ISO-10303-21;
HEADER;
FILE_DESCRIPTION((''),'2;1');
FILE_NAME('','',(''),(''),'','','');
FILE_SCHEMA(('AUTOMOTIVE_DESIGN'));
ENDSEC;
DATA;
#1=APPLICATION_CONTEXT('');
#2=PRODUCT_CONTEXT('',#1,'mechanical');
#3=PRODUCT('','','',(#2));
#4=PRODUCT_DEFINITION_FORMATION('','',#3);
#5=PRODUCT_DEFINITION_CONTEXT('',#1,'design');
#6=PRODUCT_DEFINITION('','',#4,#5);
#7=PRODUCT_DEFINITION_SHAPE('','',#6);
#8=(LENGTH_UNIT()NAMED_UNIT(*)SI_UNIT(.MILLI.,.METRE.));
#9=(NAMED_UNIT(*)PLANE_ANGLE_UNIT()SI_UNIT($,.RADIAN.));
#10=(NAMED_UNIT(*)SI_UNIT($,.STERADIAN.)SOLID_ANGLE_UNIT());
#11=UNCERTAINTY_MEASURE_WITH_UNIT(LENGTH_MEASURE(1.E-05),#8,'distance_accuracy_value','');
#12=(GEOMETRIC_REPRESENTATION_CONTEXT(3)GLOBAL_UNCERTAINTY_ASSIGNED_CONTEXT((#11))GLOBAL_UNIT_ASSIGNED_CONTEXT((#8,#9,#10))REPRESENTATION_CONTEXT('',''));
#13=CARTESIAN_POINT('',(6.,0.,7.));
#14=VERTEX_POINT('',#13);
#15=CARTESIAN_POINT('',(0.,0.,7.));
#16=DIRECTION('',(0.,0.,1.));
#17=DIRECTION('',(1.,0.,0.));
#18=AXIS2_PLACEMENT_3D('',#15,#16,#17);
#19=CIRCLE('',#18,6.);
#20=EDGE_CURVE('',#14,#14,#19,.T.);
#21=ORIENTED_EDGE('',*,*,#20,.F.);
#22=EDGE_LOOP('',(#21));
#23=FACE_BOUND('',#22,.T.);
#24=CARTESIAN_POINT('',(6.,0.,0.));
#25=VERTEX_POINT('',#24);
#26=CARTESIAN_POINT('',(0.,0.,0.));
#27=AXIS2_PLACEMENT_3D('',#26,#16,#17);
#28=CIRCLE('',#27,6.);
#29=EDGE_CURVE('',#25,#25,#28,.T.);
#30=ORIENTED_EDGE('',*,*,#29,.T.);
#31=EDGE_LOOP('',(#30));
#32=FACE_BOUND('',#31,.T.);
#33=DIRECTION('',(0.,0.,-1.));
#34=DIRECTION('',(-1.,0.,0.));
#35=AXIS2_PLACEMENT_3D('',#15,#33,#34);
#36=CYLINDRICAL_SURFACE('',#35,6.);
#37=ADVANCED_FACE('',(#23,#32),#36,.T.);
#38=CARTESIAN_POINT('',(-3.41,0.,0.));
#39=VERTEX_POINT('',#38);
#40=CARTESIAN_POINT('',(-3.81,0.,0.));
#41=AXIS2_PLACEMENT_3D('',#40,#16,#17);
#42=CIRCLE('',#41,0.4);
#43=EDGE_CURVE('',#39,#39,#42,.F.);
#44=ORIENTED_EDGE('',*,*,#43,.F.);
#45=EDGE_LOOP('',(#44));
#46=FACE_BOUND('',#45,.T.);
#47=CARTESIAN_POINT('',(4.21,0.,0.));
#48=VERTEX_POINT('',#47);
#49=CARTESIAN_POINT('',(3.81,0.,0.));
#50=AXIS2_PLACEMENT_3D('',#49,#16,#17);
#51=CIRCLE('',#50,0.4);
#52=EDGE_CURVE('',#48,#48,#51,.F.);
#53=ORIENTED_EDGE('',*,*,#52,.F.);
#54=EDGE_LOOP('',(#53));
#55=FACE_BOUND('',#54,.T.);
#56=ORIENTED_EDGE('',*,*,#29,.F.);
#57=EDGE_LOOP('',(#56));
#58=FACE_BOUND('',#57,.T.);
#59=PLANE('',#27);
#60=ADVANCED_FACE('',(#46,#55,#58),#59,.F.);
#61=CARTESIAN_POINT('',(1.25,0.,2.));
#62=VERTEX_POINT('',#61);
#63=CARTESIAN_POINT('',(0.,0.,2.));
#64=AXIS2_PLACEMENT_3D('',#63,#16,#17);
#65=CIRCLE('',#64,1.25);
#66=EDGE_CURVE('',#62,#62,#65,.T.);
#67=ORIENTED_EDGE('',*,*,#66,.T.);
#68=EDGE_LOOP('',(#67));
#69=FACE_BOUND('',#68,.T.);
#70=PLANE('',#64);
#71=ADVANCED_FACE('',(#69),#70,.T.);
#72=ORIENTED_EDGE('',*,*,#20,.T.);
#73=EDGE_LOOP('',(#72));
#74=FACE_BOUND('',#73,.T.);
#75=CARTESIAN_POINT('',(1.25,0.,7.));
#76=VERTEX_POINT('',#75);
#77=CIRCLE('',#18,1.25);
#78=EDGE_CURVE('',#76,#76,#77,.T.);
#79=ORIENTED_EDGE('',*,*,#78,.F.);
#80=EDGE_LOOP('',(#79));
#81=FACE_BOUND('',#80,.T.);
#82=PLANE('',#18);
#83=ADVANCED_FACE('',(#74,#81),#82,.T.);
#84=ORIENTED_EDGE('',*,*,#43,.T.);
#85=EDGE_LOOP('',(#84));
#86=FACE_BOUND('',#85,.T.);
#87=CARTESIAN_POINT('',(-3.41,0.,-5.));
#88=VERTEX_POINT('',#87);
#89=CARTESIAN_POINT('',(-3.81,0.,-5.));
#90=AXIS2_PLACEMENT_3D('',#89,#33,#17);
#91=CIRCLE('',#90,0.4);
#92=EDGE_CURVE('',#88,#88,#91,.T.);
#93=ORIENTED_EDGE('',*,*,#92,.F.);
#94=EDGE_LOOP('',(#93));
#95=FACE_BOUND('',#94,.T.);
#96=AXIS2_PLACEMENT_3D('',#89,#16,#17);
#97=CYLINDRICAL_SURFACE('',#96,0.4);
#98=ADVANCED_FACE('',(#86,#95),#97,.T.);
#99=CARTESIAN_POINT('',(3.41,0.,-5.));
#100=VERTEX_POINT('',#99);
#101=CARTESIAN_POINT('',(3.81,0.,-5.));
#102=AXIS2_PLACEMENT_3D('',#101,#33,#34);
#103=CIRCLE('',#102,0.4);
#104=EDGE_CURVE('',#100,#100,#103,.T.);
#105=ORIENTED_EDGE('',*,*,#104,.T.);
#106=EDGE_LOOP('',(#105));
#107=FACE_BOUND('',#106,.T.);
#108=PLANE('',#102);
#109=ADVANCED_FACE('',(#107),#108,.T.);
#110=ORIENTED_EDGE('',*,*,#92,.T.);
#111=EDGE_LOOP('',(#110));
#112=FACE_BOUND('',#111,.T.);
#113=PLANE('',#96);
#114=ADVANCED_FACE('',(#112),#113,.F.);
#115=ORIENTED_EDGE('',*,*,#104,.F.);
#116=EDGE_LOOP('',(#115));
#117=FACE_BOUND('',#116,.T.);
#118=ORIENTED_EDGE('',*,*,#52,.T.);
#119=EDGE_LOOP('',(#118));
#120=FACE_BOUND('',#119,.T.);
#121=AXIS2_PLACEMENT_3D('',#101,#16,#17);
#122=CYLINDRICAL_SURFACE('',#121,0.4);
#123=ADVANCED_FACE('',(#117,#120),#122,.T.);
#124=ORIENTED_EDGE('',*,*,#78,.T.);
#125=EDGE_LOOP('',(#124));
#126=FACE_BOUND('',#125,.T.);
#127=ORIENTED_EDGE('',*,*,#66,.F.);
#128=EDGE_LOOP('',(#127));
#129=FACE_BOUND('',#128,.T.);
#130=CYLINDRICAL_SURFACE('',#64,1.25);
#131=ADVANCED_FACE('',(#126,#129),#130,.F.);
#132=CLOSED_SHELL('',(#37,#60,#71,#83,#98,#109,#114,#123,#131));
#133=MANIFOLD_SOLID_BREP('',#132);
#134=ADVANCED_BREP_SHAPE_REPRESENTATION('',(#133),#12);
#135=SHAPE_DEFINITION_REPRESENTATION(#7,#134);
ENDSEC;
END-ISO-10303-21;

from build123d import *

# Parameters (mm, degrees)
SKETCH_1_R          = 6
EXTRUDE_1_DEPTH     = 7
SKETCH_2_R          = 0.4
EXTRUDE_2_DEPTH     = 5
SKETCH_3_R          = 1.25
CUT_EXTRUDE_1_DEPTH = 5


with BuildPart() as part:
    # 草图1 → 拉伸1 (new body)
    with BuildSketch(Plane.XY):
        Circle(SKETCH_1_R)
    extrude(amount=EXTRUDE_1_DEPTH)

    # 草图2 → 拉伸2 (add)
    with BuildSketch(Plane(origin=(0, 0, 0), x_dir=(-1, 0, 0), z_dir=(0, 0, -1))):
        with Locations(Location((-3.81, 0, 0), (0, 0, 180))):
            Circle(SKETCH_2_R)
        with Locations(Location((3.81, 0, 0), (0, 0, 180))):
            Circle(SKETCH_2_R)
    extrude(amount=EXTRUDE_2_DEPTH)

    # 草图3 → 切除-拉伸1 (cut)
    with BuildSketch(Plane.XY.offset(7)):
        Circle(SKETCH_3_R)
    extrude(amount=-CUT_EXTRUDE_1_DEPTH, mode=Mode.SUBTRACT)


solid = part.part
